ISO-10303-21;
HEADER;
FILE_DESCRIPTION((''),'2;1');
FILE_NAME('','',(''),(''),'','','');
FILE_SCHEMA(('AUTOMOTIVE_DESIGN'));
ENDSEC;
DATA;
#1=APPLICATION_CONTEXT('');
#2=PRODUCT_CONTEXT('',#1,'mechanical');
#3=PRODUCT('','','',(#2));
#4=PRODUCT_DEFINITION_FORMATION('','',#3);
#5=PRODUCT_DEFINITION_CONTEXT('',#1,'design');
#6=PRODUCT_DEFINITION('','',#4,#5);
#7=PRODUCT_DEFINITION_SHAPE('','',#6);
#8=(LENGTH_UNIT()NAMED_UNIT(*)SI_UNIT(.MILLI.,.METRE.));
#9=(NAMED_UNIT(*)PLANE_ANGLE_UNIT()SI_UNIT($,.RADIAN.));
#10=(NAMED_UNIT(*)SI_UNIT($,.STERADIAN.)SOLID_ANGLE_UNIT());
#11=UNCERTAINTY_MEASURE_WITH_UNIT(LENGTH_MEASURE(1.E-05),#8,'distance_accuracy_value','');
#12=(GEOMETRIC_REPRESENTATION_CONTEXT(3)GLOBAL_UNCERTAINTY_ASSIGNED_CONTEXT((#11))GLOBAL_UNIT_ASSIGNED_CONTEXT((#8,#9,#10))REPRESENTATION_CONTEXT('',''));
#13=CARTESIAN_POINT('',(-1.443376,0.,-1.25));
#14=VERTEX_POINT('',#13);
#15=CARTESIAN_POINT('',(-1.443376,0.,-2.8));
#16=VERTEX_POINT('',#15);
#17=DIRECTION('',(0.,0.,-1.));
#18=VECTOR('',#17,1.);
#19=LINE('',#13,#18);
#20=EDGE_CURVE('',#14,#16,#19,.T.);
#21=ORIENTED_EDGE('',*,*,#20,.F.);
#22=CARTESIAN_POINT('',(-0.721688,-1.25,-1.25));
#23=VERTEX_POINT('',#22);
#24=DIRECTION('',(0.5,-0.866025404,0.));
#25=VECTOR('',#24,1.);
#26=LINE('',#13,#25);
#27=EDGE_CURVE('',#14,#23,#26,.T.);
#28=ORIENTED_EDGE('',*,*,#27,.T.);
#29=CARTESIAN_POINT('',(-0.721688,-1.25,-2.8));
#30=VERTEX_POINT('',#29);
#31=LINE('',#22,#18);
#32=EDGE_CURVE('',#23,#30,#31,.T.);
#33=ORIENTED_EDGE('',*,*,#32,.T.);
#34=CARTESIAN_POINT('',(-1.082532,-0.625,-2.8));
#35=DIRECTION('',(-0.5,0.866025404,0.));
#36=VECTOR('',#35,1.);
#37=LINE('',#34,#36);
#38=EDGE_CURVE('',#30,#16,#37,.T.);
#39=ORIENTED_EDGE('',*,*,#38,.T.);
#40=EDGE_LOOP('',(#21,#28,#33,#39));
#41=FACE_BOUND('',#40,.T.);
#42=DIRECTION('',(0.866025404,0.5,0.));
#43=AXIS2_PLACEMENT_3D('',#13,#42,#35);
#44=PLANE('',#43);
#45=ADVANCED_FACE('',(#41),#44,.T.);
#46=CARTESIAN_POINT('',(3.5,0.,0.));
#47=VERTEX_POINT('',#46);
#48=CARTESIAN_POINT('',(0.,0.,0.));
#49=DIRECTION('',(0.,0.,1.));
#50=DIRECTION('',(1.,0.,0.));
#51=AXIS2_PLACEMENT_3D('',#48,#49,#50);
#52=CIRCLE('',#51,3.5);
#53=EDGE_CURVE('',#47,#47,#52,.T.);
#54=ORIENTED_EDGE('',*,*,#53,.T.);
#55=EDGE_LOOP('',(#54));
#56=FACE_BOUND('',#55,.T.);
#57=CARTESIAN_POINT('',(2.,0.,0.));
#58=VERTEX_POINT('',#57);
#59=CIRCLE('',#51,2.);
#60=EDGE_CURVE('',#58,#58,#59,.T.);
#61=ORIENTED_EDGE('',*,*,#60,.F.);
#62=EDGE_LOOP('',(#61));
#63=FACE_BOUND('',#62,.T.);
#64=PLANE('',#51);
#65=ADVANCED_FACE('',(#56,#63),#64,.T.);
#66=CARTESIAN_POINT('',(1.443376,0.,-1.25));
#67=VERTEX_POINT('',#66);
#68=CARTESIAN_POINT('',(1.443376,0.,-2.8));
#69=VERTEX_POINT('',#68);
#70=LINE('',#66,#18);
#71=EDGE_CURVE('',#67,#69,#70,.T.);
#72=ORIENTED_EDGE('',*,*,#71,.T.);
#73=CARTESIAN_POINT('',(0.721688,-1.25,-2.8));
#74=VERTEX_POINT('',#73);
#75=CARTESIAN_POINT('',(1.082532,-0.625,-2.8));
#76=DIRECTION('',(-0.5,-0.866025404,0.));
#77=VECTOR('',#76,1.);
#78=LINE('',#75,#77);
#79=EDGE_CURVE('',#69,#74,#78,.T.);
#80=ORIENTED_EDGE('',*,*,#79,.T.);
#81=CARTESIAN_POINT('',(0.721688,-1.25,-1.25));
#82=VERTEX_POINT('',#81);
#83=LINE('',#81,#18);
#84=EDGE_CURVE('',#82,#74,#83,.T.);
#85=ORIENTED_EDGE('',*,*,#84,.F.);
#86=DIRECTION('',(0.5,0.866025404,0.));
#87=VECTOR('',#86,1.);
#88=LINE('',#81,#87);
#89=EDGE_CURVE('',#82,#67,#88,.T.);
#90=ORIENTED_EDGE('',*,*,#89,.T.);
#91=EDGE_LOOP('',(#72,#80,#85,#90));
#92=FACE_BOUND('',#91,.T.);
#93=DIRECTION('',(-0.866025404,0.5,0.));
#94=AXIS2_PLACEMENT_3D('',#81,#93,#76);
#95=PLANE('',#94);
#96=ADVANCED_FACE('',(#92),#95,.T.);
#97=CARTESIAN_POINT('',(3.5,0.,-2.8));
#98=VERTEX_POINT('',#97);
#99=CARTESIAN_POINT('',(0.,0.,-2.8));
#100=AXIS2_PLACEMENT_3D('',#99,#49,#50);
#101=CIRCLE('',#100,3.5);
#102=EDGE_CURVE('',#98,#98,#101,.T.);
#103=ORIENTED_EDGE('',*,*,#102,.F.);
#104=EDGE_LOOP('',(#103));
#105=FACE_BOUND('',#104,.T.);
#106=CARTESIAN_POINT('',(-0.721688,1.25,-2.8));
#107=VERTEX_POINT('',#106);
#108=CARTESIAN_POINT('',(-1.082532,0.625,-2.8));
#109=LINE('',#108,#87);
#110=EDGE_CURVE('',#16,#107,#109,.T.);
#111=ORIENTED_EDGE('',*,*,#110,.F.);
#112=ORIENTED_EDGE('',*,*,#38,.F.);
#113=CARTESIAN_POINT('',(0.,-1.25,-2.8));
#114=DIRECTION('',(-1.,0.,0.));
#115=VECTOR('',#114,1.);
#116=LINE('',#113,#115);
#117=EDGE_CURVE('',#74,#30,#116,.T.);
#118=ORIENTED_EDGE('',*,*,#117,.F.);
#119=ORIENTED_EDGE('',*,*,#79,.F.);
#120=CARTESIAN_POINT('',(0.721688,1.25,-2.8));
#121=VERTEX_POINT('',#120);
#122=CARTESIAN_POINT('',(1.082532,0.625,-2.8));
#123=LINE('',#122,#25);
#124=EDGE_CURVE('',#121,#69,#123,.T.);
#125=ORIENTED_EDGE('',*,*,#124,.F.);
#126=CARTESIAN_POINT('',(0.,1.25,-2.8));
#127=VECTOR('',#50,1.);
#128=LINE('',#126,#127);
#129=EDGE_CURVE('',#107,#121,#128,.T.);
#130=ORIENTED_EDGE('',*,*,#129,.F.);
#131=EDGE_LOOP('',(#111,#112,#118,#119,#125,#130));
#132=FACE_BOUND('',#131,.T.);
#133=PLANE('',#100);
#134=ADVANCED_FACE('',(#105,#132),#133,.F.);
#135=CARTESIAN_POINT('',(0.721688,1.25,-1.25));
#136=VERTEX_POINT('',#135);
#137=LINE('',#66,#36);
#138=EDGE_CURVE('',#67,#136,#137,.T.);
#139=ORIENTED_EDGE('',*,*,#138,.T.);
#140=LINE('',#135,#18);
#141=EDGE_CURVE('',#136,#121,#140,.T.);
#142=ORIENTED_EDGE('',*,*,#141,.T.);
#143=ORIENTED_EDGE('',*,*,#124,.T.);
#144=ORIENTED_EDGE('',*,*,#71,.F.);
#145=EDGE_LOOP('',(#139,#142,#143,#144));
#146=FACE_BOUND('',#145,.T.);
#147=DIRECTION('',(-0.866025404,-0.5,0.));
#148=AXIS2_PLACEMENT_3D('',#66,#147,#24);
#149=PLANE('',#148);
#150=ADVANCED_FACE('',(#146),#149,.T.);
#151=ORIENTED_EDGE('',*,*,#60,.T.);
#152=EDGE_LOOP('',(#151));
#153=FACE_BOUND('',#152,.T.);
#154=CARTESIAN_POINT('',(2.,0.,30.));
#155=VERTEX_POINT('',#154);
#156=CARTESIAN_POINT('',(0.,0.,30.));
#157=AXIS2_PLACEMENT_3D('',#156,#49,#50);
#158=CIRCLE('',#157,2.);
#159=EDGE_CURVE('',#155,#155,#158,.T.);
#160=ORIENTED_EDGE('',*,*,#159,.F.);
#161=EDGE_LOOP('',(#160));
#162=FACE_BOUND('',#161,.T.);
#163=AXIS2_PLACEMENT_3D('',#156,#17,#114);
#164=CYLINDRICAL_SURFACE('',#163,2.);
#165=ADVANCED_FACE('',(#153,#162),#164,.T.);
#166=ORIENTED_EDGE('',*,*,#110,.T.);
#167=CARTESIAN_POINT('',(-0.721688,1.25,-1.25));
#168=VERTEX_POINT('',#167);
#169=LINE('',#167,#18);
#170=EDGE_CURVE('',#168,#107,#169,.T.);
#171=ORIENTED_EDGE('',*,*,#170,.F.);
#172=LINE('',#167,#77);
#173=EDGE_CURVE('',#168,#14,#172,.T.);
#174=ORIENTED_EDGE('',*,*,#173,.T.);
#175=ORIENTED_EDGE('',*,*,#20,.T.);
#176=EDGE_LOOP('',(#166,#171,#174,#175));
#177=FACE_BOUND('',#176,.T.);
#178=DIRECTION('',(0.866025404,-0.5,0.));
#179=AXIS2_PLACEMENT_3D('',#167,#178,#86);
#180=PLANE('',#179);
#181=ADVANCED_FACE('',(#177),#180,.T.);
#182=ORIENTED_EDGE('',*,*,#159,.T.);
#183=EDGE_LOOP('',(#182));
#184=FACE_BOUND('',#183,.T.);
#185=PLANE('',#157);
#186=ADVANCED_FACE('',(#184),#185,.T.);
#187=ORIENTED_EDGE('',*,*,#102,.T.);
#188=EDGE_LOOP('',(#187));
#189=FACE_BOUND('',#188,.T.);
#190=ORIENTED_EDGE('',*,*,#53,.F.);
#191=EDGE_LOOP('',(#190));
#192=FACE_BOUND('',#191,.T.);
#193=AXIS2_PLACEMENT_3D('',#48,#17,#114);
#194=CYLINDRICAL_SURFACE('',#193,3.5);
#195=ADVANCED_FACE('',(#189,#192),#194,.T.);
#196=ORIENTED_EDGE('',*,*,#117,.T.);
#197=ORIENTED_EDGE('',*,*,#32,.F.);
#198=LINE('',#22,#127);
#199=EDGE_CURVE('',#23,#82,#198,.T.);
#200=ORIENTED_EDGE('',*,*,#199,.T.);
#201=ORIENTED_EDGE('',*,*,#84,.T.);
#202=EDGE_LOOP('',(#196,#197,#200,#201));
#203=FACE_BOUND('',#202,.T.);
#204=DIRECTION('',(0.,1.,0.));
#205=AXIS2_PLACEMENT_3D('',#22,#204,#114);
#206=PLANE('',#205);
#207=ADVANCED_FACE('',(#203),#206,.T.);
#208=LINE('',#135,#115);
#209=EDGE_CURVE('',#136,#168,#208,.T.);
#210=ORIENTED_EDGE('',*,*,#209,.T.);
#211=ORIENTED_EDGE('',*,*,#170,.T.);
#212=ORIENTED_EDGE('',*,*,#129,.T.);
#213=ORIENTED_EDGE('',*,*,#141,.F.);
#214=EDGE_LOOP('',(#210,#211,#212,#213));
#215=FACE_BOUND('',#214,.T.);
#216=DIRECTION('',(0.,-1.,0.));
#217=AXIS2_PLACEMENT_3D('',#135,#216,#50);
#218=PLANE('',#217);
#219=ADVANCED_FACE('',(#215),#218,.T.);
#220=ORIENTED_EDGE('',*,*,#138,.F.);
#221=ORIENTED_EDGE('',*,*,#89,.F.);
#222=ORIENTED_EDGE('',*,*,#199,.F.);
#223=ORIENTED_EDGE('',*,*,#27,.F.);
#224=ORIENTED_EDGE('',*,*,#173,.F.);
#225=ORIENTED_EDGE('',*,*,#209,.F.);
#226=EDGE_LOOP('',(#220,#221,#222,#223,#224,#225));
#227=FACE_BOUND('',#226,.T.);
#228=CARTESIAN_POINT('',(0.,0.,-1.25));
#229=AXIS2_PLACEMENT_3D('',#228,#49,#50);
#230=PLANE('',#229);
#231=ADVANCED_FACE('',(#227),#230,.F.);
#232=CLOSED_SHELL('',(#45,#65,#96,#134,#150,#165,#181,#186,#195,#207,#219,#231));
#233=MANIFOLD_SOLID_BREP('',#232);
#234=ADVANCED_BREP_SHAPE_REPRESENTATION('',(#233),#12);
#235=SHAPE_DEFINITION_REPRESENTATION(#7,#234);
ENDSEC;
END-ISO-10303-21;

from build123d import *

# Parameters (mm, degrees)
F_01_START                  = -2.8
S01_LOW_SOCKET_HEAD_R       = 3.5
F_01_LOW_SOCKET_HEAD_DEPTH  = 2.8
S02_NOMINAL_M4_SHANK_R      = 2
F_02_NOMINAL_M4_SHANK_DEPTH = 30
F_03_START                  = -2.9
F_03_HEX_DRIVE_RECESS_DEPTH = 1.65


with BuildPart() as part:
    # S01 - Low socket head → 01 - Low socket head (new body)
    with BuildSketch(Plane.XY.offset(F_01_START)):
        Circle(S01_LOW_SOCKET_HEAD_R)
    extrude(amount=F_01_LOW_SOCKET_HEAD_DEPTH)

    # S02 - Nominal M4 shank → 02 - Nominal M4 shank (add)
    with BuildSketch(Plane.XY):
        Circle(S02_NOMINAL_M4_SHANK_R)
    extrude(amount=F_02_NOMINAL_M4_SHANK_DEPTH)

    # S03 - Hex drive recess → 03 - Hex drive recess (cut)
    with BuildSketch(Plane.XY.offset(F_03_START)):
        Polygon((1.443375673, 0), (0.721687836, 1.25), (-0.721687836, 1.25), (-1.443375673, 0), (-0.721687836, -1.25), (0.721687836, -1.25), align=None)
    extrude(amount=F_03_HEX_DRIVE_RECESS_DEPTH, mode=Mode.SUBTRACT)


solid = part.part
